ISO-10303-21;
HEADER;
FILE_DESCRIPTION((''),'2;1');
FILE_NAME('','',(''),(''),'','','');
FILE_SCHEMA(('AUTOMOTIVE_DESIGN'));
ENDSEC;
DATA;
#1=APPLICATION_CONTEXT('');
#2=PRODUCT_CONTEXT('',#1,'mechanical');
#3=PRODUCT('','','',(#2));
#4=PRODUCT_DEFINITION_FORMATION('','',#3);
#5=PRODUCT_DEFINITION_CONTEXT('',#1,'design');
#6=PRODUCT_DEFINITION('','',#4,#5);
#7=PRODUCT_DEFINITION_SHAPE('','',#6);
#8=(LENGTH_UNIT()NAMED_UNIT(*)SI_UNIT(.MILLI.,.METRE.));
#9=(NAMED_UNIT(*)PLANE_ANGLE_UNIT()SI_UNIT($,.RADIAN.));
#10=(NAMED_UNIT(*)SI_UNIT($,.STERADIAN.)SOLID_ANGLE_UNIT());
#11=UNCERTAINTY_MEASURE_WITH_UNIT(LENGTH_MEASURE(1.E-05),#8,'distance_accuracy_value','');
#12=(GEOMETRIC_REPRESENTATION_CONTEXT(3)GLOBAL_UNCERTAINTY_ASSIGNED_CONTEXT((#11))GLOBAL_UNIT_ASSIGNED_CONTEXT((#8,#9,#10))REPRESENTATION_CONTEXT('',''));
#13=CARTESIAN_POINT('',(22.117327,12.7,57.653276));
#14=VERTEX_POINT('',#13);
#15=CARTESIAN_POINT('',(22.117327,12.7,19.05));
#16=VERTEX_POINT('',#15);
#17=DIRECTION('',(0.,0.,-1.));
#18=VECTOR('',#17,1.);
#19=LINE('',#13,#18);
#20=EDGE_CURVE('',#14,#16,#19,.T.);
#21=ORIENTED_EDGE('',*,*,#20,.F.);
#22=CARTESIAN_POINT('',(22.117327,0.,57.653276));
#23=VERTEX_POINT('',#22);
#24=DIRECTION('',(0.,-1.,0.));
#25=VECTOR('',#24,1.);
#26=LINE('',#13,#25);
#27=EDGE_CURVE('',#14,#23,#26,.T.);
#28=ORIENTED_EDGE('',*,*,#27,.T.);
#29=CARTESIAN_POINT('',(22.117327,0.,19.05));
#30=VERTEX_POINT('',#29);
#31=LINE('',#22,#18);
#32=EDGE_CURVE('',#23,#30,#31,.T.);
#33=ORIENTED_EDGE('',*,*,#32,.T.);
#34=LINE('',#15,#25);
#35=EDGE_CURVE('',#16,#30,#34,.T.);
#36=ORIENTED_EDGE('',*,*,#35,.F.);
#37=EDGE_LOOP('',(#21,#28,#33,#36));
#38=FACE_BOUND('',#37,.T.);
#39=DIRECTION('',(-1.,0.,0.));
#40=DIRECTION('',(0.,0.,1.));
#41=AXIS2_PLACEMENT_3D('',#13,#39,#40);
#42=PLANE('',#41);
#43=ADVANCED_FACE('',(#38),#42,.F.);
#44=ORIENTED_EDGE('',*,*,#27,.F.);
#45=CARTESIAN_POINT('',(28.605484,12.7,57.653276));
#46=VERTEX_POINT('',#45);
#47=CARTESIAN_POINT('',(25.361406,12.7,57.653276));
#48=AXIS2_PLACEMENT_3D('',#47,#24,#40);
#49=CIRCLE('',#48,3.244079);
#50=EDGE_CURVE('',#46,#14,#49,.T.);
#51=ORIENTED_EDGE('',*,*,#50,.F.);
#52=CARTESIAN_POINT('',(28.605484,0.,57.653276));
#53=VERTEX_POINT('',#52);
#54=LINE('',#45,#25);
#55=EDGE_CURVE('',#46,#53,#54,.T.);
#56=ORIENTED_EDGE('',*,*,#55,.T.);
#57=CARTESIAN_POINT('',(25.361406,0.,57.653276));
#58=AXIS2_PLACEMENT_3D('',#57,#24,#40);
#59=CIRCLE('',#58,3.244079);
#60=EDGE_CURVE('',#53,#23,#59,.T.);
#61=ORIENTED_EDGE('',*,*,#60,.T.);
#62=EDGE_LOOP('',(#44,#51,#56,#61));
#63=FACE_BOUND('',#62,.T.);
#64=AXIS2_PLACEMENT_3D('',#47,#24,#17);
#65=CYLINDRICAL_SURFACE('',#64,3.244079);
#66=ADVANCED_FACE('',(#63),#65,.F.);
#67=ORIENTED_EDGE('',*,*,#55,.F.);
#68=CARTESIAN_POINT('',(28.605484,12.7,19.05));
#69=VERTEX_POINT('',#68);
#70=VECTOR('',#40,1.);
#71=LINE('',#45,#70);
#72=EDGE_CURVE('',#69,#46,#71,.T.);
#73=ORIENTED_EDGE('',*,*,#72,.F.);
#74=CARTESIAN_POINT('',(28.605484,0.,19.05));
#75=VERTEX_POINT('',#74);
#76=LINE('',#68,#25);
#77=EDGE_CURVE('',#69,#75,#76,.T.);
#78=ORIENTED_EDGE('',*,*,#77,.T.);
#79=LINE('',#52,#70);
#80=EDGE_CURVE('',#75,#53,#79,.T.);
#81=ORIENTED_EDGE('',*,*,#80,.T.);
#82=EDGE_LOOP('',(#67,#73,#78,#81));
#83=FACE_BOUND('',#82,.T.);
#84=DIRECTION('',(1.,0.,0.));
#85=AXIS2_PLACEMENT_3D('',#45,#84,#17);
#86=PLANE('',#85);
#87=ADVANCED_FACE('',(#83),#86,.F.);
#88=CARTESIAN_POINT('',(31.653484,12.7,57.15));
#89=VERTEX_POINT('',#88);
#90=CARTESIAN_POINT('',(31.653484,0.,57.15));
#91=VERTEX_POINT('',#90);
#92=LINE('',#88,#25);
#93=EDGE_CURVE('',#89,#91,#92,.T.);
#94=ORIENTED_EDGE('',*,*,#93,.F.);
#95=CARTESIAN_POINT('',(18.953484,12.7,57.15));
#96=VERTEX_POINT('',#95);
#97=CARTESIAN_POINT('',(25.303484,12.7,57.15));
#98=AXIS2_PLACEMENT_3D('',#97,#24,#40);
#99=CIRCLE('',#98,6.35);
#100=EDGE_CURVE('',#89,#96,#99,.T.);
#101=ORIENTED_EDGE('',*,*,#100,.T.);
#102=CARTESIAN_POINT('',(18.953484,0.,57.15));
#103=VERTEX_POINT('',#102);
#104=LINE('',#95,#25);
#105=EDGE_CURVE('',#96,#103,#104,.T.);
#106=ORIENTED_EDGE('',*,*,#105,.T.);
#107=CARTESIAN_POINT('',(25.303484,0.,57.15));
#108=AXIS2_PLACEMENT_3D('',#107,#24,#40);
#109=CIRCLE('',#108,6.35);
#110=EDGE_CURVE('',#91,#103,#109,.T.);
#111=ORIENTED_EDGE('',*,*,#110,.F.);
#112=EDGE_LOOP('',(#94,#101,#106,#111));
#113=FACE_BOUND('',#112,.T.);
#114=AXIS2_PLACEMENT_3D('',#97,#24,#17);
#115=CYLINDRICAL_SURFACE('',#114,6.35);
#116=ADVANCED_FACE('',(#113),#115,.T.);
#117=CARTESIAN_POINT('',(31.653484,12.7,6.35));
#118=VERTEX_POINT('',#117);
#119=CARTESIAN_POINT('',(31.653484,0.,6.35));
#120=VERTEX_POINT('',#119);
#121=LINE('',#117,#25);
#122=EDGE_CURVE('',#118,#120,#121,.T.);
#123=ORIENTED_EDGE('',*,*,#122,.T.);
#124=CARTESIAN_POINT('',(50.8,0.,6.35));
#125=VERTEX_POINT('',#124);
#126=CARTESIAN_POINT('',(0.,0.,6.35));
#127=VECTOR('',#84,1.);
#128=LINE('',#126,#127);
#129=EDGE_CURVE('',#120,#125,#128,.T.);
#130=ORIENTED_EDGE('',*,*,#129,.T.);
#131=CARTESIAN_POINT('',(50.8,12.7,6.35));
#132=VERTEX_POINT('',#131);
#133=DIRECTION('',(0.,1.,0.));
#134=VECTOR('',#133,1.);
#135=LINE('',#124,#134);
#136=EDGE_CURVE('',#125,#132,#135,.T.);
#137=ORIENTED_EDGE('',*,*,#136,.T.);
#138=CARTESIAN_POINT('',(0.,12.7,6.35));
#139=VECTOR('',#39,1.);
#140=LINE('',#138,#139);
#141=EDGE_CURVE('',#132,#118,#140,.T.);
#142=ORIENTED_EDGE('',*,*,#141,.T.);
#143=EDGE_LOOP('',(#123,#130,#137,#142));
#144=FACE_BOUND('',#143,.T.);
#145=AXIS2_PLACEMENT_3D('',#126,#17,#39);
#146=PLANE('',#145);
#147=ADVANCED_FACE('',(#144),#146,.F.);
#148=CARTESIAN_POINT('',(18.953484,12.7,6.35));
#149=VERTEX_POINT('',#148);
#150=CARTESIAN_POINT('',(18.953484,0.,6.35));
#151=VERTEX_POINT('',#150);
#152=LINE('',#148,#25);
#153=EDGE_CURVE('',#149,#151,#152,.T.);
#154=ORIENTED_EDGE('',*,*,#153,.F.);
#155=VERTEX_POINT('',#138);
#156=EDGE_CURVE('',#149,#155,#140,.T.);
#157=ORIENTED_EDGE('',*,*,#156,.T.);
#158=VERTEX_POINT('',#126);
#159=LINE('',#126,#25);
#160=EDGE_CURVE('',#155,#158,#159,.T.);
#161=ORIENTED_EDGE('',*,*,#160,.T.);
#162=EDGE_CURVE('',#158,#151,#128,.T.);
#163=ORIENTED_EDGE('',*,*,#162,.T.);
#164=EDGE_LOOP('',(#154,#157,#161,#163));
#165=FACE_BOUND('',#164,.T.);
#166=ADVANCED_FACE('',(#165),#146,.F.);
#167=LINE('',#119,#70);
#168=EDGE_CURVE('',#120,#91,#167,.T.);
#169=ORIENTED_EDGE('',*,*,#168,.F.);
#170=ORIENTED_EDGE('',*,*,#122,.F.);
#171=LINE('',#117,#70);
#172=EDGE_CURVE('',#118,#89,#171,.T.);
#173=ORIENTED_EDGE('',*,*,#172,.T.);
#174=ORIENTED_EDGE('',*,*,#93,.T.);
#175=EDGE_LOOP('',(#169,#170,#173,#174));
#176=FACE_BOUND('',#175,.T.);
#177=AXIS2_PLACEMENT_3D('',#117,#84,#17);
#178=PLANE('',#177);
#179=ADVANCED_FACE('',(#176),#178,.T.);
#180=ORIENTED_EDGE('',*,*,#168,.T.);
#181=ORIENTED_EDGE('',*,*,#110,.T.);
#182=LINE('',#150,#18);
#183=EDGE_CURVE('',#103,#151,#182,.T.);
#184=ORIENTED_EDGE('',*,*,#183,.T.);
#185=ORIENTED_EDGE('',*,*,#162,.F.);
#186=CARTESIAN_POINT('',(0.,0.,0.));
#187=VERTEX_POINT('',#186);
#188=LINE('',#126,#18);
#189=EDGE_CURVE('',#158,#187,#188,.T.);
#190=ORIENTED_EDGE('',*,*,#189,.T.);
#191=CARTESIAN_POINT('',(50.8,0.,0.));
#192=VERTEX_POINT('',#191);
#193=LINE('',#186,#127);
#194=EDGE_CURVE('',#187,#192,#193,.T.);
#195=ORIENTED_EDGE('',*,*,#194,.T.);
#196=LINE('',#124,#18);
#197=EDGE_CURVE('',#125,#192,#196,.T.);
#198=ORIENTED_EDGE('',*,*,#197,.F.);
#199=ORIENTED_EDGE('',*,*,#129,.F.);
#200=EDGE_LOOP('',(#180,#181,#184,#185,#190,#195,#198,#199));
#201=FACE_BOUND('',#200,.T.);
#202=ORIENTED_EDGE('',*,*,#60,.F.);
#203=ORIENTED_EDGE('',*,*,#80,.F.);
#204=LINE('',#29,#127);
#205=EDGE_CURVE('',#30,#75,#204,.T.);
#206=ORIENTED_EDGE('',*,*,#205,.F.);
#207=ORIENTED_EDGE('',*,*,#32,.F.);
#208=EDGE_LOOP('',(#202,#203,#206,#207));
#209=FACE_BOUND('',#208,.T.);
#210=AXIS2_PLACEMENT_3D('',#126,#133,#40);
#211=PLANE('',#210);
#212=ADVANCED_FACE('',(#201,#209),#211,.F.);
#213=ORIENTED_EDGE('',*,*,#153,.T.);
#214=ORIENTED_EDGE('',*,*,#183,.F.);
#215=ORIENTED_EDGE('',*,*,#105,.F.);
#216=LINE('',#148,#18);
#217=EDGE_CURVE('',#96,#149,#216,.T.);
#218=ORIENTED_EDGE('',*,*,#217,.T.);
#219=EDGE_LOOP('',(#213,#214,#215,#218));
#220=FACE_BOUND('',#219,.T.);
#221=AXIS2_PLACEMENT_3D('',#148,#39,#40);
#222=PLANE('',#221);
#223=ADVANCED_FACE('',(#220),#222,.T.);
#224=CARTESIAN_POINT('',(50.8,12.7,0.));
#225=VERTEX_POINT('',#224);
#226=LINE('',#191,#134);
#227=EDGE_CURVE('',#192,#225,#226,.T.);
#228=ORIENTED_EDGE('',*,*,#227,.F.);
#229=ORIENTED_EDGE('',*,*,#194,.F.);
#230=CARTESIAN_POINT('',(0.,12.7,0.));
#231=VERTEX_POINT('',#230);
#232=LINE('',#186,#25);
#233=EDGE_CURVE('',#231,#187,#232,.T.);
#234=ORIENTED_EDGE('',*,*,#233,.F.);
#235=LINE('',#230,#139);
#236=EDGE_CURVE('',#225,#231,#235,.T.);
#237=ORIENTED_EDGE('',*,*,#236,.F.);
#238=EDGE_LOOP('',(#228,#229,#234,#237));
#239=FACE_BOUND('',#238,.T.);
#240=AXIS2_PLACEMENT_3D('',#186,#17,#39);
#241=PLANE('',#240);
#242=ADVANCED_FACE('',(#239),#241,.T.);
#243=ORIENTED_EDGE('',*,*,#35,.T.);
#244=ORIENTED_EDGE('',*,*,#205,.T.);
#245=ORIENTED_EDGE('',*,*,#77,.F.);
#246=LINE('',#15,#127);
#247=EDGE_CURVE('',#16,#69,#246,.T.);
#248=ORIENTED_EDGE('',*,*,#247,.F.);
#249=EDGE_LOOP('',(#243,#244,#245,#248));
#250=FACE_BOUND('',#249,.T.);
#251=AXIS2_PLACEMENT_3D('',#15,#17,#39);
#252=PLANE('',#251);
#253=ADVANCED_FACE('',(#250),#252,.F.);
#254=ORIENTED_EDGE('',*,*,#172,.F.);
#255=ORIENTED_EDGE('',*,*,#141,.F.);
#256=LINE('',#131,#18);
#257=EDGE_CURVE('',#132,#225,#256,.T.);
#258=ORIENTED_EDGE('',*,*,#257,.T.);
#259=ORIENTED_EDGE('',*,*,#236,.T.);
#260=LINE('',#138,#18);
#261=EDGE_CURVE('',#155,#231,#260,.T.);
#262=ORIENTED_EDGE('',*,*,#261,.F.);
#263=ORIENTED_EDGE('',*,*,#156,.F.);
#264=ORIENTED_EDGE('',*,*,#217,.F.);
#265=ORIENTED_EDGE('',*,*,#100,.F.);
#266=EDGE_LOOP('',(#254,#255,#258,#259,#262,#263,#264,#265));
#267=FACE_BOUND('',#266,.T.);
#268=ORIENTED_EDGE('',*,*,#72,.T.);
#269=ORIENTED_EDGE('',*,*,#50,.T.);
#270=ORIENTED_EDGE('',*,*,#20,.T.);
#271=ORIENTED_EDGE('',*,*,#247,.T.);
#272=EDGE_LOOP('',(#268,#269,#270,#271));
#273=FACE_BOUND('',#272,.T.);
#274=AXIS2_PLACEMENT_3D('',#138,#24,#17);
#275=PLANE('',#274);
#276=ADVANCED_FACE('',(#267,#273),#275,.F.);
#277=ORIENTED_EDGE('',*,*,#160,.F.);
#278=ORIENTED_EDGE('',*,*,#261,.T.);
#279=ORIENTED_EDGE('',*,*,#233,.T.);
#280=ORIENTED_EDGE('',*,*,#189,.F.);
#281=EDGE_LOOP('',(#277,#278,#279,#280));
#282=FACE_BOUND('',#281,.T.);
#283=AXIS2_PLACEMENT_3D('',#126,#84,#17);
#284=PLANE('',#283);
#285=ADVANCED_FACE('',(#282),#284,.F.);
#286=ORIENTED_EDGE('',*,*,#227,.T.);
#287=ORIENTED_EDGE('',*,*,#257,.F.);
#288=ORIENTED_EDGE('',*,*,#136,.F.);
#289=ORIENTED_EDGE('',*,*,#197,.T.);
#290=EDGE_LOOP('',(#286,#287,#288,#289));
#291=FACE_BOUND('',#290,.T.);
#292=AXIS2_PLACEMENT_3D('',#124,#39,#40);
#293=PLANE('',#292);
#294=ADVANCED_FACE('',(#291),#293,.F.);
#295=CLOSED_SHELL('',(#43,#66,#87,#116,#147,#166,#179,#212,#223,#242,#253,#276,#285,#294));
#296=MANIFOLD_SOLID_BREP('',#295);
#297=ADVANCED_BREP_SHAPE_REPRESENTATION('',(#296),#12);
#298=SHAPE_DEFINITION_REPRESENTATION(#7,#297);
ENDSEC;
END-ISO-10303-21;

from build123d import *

# Parameters (mm, degrees)
SKETCH1_W           = 50.8
SKETCH1_H           = 12.7
BOSS_EXTRUDE1_DEPTH = 6.35
BOSS_EXTRUDE2_DEPTH = 12.7


with BuildPart() as part:
    # Sketch1 → Boss-Extrude1 (new body)
    with BuildSketch(Plane.XY):
        with Locations((25.4, 6.35)):
            Rectangle(SKETCH1_W, SKETCH1_H)
    extrude(amount=BOSS_EXTRUDE1_DEPTH)

    # Sketch4 → Boss-Extrude2 (add)
    with BuildSketch(Plane.XZ):
        with BuildLine():
            Line((18.953484491, 6.35), (31.653484491, 6.35))
            Line((31.653484491, 6.35), (31.653484491, 57.15))
            ThreePointArc((31.653484491, 57.15), (25.303484491, 63.5), (18.953484491, 57.15))
            Line((18.953484491, 57.15), (18.953484491, 6.35))
        make_face()
        with BuildLine():
            Line((22.117326524, 57.65327603), (22.117326524, 19.05))
            Line((22.117326524, 19.05), (28.605484491, 19.05))
            Line((28.605484491, 19.05), (28.605484491, 57.65327603))
            ThreePointArc((28.605484491, 57.65327603), (25.361405508, 60.897355013), (22.117326524, 57.65327603))
        make_face(mode=Mode.SUBTRACT)
    extrude(amount=-BOSS_EXTRUDE2_DEPTH)


solid = part.part
